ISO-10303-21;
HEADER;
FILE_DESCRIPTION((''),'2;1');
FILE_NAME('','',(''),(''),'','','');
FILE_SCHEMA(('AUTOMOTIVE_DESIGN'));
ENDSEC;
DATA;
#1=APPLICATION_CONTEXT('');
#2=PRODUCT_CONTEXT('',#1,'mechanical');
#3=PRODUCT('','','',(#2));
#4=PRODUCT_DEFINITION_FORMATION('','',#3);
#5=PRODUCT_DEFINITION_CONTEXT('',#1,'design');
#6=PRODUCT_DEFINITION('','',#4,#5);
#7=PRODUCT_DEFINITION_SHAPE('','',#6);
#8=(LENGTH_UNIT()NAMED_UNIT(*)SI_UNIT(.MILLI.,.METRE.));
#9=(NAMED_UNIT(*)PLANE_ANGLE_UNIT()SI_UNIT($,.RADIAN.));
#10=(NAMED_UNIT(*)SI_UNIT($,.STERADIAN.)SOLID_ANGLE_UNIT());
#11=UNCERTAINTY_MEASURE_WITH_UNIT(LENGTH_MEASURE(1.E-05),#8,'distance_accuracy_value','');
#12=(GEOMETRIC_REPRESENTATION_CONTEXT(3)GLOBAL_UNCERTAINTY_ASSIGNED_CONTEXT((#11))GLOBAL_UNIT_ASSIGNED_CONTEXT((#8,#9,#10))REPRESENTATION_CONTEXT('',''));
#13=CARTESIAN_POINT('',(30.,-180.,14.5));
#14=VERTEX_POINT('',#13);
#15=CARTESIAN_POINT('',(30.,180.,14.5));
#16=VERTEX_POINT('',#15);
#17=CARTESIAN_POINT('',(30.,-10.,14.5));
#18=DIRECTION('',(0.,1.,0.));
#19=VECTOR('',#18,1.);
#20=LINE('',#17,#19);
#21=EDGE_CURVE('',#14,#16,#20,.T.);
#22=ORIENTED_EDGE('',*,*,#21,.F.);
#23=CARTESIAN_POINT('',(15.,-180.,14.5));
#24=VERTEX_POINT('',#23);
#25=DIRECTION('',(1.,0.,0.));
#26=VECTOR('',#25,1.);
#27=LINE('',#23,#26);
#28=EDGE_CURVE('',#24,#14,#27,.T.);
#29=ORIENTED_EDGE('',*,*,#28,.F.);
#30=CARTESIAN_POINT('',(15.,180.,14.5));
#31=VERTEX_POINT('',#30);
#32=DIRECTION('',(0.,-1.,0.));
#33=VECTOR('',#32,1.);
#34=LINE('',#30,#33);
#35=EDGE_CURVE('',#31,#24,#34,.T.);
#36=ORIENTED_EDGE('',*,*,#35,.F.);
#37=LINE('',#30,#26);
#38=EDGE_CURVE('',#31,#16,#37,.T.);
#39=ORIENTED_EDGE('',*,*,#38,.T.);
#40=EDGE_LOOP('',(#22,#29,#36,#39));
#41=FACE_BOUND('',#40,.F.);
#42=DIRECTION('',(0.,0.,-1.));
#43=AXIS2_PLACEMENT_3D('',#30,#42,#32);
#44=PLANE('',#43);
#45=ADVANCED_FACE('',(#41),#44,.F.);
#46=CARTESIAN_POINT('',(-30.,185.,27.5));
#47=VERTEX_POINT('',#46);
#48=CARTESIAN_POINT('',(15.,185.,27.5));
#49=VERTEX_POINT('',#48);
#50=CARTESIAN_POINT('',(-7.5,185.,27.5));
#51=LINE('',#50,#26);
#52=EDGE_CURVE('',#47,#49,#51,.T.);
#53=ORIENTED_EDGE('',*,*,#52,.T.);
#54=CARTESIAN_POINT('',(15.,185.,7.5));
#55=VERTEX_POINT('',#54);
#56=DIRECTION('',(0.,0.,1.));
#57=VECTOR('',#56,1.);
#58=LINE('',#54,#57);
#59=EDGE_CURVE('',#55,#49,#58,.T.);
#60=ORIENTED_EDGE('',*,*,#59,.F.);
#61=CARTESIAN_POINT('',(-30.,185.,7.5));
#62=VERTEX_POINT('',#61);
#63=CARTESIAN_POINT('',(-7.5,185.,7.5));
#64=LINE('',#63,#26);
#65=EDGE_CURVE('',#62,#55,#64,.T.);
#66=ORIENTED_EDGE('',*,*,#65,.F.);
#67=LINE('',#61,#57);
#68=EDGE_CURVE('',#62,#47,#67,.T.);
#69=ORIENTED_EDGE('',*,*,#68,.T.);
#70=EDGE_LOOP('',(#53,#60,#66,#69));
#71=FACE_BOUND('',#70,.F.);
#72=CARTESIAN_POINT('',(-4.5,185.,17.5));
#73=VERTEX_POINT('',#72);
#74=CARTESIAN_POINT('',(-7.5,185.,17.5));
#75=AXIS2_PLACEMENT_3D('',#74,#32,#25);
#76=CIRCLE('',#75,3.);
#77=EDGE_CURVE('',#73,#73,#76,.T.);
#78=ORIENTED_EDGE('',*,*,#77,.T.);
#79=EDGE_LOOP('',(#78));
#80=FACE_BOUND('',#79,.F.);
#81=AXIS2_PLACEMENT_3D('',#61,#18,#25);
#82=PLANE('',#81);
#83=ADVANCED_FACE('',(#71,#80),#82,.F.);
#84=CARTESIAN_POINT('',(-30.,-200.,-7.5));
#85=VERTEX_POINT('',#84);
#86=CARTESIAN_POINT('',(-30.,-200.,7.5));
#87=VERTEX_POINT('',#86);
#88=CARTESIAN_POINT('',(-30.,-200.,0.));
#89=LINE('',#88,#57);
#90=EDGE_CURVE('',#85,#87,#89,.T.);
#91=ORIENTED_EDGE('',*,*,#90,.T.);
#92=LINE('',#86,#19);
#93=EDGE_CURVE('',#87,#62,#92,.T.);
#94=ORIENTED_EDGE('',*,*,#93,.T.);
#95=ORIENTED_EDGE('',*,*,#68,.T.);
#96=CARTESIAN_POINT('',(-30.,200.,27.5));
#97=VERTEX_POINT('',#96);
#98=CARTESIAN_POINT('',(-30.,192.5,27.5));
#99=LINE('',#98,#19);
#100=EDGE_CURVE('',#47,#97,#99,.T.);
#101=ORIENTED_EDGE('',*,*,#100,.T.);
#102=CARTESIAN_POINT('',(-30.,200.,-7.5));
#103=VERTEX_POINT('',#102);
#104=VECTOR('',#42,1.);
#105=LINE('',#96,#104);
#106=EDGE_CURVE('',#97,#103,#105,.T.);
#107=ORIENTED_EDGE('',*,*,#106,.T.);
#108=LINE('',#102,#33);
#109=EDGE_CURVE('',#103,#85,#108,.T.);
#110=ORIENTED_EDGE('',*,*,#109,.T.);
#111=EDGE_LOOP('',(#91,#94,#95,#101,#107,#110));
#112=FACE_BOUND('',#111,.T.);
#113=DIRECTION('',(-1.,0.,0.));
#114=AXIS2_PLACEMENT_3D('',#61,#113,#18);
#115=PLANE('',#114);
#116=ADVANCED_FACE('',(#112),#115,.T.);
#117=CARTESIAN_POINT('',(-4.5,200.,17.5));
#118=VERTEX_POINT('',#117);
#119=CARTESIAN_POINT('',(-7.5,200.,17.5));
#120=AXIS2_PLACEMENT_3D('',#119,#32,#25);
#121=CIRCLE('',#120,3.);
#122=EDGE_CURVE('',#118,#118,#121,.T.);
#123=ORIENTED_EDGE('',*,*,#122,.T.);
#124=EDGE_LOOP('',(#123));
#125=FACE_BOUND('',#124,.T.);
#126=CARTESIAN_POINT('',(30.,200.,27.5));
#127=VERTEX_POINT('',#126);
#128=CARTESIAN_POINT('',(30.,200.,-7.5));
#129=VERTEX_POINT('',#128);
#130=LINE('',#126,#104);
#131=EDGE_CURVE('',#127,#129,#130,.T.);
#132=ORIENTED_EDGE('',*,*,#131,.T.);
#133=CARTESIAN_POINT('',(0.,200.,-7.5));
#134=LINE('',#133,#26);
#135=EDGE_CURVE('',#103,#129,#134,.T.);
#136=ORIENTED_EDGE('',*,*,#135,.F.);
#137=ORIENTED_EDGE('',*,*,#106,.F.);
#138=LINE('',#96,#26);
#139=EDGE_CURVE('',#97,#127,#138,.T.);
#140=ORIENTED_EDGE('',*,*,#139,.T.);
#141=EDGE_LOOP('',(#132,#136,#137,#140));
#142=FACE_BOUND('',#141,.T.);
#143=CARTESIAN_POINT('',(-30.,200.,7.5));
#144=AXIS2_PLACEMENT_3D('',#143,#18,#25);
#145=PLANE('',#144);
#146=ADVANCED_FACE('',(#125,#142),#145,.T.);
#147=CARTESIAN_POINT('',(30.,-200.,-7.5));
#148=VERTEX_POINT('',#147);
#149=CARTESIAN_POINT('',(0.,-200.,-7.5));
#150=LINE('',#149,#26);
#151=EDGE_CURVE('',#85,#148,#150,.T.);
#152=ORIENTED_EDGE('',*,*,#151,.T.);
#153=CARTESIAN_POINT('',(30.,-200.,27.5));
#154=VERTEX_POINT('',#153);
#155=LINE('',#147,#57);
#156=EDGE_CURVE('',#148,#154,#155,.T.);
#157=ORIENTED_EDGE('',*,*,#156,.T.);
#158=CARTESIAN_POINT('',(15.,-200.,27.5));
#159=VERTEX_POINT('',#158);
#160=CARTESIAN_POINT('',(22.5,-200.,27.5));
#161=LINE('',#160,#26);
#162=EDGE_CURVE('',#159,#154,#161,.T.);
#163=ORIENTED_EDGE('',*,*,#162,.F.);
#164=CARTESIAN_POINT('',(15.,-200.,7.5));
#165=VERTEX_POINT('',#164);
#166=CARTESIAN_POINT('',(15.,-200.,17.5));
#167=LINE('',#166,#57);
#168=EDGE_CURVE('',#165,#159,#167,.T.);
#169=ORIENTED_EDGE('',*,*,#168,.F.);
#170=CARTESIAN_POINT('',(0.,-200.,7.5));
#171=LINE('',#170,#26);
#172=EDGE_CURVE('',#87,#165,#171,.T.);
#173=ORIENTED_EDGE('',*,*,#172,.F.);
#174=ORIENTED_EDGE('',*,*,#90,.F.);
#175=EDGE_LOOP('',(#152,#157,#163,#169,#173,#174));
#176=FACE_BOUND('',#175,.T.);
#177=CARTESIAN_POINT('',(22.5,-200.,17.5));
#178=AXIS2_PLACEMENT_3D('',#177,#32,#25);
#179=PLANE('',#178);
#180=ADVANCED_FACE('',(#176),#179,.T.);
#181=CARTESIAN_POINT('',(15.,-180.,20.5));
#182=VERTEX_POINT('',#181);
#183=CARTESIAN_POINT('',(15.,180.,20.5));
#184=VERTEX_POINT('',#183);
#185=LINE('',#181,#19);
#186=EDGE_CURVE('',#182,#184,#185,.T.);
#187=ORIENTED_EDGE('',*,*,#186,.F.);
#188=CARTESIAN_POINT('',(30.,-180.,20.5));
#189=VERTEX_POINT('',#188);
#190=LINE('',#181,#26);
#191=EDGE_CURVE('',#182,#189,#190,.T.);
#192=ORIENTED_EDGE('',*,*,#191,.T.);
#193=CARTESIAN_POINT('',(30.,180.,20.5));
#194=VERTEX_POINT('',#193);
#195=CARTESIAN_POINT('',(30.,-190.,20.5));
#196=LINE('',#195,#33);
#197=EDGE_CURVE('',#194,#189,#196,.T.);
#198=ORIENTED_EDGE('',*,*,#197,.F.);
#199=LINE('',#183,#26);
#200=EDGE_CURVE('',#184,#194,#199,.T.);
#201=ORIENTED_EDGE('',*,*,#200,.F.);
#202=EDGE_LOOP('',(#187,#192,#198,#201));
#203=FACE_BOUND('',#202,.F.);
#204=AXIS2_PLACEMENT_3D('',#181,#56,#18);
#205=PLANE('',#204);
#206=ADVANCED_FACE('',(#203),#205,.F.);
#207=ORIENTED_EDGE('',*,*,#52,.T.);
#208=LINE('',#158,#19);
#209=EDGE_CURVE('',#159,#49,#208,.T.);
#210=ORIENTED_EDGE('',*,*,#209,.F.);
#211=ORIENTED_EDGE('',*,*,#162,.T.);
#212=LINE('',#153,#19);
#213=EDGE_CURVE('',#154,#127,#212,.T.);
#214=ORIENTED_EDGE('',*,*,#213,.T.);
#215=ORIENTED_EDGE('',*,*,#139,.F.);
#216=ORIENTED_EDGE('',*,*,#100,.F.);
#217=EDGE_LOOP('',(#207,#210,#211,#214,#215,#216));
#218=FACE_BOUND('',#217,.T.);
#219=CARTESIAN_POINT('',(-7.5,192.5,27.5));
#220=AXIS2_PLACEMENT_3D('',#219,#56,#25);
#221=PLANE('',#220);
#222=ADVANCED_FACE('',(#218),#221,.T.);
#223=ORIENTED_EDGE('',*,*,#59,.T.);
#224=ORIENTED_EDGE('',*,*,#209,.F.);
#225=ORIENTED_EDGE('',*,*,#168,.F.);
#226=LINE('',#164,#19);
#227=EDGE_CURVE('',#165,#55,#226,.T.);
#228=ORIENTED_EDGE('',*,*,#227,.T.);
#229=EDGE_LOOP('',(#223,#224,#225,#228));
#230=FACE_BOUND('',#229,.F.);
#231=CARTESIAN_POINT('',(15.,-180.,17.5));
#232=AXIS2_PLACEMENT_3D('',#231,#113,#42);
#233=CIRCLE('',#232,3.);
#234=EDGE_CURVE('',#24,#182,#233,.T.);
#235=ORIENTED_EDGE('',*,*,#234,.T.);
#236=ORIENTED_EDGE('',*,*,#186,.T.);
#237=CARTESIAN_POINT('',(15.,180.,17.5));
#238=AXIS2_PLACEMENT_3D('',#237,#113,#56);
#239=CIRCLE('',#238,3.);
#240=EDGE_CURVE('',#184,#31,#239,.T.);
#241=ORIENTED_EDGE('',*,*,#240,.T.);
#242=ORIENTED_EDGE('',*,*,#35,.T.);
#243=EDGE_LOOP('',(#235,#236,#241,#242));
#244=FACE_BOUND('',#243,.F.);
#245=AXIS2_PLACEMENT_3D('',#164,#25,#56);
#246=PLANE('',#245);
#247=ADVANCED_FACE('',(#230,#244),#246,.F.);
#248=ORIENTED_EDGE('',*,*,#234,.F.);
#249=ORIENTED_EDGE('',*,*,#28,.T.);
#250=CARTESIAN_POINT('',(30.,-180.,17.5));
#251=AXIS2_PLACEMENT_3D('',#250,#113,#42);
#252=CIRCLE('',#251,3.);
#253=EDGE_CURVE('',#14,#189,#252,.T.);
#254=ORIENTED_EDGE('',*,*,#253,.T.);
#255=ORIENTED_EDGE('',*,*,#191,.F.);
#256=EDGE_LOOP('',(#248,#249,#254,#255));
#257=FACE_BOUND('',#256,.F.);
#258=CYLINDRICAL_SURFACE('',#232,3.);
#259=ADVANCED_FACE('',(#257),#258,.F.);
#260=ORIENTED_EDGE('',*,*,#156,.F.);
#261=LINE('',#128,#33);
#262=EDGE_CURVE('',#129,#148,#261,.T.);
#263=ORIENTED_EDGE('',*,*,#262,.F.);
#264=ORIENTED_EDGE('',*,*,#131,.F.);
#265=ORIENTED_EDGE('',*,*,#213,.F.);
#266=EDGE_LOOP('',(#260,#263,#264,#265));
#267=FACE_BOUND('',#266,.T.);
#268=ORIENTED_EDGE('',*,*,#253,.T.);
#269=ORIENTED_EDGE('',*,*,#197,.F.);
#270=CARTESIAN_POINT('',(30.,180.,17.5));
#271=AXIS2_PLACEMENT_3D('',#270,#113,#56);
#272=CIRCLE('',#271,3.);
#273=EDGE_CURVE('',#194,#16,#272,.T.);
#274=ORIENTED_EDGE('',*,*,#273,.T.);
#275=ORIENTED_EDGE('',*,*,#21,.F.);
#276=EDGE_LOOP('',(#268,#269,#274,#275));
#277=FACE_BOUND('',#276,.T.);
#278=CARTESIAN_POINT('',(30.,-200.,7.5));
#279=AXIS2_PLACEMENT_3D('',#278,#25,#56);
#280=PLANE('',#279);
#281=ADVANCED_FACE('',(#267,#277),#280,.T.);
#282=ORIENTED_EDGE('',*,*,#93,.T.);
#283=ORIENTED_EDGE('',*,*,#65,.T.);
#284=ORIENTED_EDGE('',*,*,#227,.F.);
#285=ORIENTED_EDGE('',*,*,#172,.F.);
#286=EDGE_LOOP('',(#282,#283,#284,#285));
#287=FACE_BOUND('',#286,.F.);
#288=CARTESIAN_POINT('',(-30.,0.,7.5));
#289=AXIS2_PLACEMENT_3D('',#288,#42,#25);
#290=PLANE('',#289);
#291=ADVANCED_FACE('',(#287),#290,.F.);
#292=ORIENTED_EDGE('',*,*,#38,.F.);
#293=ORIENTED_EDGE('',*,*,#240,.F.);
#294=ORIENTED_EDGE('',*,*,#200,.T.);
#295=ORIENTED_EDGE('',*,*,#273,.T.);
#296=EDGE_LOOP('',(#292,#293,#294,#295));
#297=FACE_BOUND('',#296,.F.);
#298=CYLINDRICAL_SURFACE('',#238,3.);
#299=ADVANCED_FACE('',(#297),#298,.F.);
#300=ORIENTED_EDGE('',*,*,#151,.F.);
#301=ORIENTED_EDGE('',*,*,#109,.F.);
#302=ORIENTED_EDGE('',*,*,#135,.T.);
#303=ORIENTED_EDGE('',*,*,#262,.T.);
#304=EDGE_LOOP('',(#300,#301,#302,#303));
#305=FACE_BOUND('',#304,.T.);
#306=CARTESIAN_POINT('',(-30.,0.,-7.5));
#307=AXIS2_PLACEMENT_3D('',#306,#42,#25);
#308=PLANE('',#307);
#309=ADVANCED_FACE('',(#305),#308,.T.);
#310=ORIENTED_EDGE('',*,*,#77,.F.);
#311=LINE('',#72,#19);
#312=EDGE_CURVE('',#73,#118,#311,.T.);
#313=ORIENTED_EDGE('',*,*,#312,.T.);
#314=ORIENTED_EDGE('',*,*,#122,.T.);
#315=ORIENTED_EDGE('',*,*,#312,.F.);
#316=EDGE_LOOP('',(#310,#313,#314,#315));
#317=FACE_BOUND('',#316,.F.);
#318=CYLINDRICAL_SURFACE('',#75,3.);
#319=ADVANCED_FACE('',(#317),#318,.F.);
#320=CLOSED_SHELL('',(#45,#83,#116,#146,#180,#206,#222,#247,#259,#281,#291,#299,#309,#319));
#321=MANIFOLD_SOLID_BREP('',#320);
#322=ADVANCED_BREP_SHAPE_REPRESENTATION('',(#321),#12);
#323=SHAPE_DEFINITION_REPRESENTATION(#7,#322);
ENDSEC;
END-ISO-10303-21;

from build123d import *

# Parameters (mm, degrees)
F0_W     = 60
F0_H     = 15
F1_DEPTH = 200
F2_W     = 15
F2_H     = 20
F3_DEPTH = 400
F5_DEPTH = 15.001
F6_W     = 45
F6_H     = 15
F7_DEPTH = 20
F8_R     = 3
F9_DEPTH = 15.001


with BuildPart() as f1:
    # F0 (on Front) → F1 (new body, symmetric)
    with BuildSketch(Plane.XZ):
        Rectangle(F0_W, F0_H)
    extrude(amount=F1_DEPTH, both=True)

    # F2 (on face) → F3 (join, through all)
    with BuildSketch(Plane.XZ.offset(200)):
        with Locations((22.5, 17.5)):
            Rectangle(F2_W, F2_H)
    extrude(amount=-F3_DEPTH)

    # F4 (on face) → F5 (cut, through all)
    with BuildSketch(Plane(origin=(15, 0, 0), x_dir=(0, -1, 0), z_dir=(-1, 0, 0))):
        with BuildLine():
            ThreePointArc((180, 14.5), (183, 17.5), (180, 20.5))
            Line((180, 20.5), (-180, 20.5))
            ThreePointArc((-180, 20.5), (-183, 17.5), (-180, 14.5))
            Line((-180, 14.5), (180, 14.5))
        make_face()
    extrude(amount=-F5_DEPTH, mode=Mode.SUBTRACT)

    # F6 (on face) → F7 (join)
    with BuildSketch(Plane.XY.offset(7.5)):
        with Locations((-7.5, 192.5)):
            Rectangle(F6_W, F6_H)
    extrude(amount=F7_DEPTH)

    # F8 (on face) → F9 (cut, through all)
    with BuildSketch(Plane.XZ.offset(-185)):
        with Locations((-7.5, 17.5)):
            Circle(F8_R)
    extrude(amount=-F9_DEPTH, mode=Mode.SUBTRACT)


solid = f1.part
